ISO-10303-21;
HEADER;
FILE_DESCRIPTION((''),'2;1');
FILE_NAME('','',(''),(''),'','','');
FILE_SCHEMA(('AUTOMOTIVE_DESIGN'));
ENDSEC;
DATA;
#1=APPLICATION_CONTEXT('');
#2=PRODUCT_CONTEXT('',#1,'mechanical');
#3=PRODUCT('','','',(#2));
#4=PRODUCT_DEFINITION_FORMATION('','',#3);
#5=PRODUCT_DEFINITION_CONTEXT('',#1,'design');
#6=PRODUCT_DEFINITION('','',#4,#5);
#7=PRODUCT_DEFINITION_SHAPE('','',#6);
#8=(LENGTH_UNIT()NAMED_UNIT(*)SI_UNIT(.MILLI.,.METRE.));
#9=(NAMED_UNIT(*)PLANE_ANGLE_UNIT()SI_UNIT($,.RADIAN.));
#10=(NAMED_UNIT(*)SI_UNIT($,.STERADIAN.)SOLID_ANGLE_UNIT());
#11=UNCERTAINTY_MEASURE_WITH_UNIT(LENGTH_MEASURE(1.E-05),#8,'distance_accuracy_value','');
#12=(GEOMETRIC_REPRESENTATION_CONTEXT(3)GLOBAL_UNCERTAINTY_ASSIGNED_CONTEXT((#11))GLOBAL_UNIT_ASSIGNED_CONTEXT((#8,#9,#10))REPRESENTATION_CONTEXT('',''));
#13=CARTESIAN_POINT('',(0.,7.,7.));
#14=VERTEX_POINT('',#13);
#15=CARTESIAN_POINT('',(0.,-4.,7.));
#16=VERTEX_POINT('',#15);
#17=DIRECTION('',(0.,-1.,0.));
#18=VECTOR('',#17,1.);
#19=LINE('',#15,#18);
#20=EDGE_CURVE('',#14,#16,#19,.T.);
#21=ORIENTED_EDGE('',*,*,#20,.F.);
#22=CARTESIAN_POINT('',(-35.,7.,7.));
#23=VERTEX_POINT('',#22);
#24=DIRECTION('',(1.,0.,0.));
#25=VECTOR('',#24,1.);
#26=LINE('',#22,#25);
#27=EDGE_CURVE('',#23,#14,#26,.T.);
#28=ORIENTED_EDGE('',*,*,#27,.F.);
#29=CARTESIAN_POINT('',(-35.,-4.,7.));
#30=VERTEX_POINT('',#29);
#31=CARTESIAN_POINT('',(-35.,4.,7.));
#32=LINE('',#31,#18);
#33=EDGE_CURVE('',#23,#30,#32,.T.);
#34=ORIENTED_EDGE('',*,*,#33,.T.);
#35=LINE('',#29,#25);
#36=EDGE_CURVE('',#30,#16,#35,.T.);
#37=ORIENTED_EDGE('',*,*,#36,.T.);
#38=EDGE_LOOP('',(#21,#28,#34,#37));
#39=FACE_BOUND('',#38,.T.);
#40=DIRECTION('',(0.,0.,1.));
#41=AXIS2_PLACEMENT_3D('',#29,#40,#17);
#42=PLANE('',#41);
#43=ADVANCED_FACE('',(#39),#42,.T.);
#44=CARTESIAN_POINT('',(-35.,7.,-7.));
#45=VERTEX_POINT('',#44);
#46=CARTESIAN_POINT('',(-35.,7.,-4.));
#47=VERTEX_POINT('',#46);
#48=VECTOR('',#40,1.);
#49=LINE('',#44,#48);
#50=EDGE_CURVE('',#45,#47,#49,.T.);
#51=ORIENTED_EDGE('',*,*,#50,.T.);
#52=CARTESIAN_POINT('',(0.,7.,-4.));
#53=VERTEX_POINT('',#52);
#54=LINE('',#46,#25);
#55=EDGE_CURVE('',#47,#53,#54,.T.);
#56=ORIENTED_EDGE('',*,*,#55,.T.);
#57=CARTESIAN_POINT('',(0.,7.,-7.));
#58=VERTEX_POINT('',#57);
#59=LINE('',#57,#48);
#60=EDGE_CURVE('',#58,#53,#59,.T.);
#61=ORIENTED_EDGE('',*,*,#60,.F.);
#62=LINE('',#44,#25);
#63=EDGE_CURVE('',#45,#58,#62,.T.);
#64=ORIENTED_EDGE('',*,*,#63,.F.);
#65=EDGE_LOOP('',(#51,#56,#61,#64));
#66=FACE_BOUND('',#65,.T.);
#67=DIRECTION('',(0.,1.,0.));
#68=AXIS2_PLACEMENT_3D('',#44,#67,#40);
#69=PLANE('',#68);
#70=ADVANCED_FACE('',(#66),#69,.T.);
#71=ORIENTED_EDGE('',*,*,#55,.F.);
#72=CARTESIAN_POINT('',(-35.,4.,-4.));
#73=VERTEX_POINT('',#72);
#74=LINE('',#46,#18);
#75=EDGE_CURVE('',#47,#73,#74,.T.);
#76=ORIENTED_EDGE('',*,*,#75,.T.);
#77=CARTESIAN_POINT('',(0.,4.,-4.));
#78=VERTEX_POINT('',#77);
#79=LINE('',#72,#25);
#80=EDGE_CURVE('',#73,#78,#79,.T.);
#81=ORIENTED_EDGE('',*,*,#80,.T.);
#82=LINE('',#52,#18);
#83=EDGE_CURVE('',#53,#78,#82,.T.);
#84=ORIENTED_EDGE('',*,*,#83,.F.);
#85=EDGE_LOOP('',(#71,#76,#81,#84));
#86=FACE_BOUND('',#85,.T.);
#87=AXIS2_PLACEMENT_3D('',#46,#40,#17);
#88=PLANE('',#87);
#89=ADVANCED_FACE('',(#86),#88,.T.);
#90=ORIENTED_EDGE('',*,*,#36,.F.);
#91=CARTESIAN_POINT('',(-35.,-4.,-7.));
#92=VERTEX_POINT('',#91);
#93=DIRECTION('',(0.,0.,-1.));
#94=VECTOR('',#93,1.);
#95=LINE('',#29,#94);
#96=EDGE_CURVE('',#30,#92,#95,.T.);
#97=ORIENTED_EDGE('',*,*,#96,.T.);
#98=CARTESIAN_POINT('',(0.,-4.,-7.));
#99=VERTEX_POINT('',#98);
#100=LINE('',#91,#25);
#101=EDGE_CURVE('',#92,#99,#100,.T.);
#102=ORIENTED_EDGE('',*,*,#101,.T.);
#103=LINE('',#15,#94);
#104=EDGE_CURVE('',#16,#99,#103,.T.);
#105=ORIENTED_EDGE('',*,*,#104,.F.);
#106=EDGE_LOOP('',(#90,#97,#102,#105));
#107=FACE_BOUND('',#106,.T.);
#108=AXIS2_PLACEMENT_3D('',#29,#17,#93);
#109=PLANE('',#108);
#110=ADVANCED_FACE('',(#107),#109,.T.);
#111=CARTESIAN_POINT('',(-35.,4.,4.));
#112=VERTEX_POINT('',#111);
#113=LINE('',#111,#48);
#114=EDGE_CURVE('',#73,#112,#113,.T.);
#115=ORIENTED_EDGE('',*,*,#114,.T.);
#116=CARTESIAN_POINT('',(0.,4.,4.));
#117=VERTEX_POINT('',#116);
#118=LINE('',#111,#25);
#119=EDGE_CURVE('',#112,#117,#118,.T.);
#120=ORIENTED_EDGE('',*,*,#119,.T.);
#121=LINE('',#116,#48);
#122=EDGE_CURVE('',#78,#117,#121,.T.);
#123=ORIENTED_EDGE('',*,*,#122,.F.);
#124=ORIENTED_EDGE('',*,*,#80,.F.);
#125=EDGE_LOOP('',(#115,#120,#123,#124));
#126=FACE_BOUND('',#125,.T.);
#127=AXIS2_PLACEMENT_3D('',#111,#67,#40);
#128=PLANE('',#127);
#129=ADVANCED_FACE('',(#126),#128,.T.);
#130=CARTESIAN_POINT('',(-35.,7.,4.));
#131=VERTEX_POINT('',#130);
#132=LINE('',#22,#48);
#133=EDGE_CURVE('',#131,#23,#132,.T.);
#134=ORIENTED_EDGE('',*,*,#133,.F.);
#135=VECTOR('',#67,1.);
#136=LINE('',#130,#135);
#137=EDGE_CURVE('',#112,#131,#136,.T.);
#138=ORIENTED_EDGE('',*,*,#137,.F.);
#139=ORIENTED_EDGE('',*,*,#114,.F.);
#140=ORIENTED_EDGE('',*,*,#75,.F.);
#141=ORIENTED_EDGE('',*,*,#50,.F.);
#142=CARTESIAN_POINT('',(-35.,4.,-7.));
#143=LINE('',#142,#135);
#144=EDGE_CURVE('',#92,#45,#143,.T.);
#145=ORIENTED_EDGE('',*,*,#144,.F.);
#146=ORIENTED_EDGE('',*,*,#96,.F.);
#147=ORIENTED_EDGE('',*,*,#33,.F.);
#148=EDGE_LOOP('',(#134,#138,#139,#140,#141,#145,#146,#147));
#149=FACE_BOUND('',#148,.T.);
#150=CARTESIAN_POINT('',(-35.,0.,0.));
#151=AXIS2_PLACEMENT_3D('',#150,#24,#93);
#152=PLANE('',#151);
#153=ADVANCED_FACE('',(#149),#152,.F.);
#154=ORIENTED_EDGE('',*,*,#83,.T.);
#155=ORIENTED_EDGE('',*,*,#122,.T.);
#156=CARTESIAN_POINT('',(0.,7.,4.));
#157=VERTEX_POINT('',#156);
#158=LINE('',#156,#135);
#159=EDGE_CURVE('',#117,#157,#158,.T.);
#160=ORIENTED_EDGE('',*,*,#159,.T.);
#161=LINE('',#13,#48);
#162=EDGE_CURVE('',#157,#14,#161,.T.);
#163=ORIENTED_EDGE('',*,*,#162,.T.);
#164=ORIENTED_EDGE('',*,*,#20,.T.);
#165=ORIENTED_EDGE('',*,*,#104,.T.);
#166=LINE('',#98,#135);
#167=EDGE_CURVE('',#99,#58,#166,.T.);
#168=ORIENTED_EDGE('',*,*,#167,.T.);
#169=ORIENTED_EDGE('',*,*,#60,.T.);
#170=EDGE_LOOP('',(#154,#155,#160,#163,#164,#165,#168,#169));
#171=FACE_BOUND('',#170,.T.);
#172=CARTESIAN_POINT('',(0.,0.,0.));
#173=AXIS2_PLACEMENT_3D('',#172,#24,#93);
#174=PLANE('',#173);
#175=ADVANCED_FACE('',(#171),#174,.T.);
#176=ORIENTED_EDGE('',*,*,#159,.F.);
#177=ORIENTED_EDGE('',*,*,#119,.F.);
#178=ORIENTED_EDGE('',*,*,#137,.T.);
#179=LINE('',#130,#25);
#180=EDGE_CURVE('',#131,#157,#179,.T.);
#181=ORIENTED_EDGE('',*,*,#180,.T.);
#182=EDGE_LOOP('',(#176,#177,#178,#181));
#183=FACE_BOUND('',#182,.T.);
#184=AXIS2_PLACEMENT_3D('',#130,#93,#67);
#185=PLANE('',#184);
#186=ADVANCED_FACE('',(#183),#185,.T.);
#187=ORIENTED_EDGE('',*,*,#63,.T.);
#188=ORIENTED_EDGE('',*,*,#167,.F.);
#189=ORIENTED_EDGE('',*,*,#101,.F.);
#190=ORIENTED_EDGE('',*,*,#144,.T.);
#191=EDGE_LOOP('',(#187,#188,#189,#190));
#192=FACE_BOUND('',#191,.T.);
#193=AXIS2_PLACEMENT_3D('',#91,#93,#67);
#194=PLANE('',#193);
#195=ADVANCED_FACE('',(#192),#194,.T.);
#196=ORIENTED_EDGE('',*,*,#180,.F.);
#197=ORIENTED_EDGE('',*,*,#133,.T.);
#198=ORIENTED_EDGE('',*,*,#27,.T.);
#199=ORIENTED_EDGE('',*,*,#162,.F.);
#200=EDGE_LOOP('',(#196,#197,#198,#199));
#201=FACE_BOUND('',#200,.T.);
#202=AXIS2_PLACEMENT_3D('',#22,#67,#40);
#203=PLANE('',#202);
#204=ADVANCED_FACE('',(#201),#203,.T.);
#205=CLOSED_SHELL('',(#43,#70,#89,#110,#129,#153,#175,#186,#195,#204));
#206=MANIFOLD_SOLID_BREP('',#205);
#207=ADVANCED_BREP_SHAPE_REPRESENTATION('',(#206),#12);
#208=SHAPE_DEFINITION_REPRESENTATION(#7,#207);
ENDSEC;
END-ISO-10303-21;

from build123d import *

# Parameters (mm, degrees)
BOSS_EXTRUDE1_DEPTH = 35


with BuildPart() as part:
    # Sketch1 → Boss-Extrude1 (new body)
    with BuildSketch(Plane(origin=(0, 0, 0), x_dir=(0, 0, -1), z_dir=(1, 0, 0))):
        Polygon((-7, 4), (-7, 7), (-4, 7), (-4, 4), (4, 4), (4, 7), (7, 7), (7, 4), (7, -4), (-7, -4), align=None)
    extrude(amount=-BOSS_EXTRUDE1_DEPTH)


solid = part.part
